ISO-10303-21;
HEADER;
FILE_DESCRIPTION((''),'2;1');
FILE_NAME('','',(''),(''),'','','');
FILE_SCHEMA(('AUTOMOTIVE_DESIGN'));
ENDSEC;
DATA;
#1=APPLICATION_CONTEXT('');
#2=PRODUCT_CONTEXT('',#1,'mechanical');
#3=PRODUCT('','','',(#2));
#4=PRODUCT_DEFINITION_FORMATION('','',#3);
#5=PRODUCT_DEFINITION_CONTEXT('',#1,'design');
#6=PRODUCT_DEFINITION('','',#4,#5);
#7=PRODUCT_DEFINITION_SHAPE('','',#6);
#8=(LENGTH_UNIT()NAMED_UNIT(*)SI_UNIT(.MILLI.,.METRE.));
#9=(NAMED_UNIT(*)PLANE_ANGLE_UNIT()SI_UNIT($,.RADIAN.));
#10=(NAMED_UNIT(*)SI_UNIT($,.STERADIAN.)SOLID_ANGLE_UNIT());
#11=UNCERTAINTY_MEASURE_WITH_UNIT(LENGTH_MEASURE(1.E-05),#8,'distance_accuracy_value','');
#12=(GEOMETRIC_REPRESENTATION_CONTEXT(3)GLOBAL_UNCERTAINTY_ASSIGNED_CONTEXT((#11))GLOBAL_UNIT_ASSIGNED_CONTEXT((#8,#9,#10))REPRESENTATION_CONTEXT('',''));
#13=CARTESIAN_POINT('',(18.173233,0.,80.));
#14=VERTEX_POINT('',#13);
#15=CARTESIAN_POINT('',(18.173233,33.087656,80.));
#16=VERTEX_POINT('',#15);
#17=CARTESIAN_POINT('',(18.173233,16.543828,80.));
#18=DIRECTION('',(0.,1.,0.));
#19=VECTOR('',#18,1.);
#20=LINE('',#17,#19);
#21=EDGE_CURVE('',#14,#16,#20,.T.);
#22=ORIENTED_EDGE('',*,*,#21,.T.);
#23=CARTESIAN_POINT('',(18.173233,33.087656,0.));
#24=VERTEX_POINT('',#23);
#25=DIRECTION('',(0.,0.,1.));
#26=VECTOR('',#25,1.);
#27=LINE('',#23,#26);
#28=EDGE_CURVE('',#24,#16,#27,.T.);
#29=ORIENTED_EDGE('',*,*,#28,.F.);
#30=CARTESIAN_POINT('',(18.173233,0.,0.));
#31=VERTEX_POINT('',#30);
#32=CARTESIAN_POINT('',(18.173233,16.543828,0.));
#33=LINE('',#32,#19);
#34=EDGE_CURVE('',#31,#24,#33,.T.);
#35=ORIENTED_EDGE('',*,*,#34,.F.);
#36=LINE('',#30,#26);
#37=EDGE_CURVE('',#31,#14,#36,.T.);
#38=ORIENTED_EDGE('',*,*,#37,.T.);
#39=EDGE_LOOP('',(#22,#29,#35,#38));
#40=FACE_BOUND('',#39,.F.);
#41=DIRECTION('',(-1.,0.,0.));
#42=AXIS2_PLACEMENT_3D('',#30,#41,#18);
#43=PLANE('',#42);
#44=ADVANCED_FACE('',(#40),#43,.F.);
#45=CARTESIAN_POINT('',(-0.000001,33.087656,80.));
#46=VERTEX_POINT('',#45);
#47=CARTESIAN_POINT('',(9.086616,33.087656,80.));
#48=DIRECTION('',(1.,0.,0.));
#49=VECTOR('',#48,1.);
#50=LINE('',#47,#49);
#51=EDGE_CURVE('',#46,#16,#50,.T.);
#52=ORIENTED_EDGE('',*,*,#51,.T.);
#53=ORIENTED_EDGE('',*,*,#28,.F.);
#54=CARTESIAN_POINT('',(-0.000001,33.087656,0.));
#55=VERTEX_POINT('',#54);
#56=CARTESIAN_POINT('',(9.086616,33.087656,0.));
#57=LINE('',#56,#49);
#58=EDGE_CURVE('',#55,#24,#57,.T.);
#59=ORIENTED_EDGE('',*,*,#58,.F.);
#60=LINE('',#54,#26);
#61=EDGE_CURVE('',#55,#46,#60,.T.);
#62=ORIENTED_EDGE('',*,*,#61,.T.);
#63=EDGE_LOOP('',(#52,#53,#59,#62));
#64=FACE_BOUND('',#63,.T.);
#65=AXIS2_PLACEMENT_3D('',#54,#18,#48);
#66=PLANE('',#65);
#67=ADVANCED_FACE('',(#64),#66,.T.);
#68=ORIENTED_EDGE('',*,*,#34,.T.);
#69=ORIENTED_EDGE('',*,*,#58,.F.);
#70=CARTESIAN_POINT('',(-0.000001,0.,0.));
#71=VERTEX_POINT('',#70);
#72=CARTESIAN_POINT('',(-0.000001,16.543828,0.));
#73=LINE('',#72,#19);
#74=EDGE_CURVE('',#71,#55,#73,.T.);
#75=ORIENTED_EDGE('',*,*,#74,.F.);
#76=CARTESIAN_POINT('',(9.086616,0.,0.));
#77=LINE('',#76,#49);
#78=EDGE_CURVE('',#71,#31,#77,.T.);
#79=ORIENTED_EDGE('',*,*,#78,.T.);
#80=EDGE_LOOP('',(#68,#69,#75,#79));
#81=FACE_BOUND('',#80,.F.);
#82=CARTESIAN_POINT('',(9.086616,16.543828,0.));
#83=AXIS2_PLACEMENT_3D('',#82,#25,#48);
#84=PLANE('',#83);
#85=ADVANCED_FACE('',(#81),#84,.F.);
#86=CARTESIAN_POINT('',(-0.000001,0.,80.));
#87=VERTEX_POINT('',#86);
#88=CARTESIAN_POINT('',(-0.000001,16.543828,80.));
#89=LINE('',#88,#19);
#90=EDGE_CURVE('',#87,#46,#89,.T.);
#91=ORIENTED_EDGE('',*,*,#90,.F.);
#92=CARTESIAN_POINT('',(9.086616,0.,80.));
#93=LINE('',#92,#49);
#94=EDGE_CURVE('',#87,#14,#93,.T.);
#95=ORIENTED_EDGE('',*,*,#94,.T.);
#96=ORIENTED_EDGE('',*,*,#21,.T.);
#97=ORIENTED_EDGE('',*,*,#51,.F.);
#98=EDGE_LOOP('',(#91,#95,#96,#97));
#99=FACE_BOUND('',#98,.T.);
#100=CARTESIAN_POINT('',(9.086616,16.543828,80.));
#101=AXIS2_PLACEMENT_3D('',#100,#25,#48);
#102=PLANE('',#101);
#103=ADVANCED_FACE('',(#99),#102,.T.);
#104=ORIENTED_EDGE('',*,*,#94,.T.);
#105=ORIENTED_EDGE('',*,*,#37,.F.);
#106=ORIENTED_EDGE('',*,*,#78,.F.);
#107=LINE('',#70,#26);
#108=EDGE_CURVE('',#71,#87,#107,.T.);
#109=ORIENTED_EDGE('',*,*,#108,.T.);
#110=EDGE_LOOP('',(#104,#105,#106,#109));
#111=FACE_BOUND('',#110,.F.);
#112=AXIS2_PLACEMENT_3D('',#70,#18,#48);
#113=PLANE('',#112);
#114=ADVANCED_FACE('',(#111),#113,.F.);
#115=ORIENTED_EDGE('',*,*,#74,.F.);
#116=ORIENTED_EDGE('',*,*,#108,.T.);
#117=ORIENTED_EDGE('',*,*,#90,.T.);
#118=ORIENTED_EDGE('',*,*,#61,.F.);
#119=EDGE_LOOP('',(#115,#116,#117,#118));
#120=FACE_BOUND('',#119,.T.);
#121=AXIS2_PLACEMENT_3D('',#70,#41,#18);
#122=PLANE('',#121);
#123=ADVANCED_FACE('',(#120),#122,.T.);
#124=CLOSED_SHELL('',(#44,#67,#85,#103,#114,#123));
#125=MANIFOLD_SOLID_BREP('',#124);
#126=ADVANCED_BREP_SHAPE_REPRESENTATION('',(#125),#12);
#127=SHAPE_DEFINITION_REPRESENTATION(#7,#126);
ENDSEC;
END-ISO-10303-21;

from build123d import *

# Parameters (mm, degrees)
F0_W     = 18.173233
F0_H     = 33.087656
F1_DEPTH = 750
F2_DEPTH = 80


with BuildPart() as f1:
    # F0 (on Top) → F1 (new body)
    with BuildSketch(Plane.XY):
        with Locations((9.086616, 16.543828)):
            Rectangle(F0_W, F0_H)
    extrude(amount=F1_DEPTH)

    # F0 (on Top) → F2 (intersect)
    with BuildSketch(Plane.XY):
        with Locations((9.086616, 16.543828)):
            Rectangle(F0_W, F0_H)
    extrude(amount=F2_DEPTH, mode=Mode.INTERSECT)


solid = f1.part
